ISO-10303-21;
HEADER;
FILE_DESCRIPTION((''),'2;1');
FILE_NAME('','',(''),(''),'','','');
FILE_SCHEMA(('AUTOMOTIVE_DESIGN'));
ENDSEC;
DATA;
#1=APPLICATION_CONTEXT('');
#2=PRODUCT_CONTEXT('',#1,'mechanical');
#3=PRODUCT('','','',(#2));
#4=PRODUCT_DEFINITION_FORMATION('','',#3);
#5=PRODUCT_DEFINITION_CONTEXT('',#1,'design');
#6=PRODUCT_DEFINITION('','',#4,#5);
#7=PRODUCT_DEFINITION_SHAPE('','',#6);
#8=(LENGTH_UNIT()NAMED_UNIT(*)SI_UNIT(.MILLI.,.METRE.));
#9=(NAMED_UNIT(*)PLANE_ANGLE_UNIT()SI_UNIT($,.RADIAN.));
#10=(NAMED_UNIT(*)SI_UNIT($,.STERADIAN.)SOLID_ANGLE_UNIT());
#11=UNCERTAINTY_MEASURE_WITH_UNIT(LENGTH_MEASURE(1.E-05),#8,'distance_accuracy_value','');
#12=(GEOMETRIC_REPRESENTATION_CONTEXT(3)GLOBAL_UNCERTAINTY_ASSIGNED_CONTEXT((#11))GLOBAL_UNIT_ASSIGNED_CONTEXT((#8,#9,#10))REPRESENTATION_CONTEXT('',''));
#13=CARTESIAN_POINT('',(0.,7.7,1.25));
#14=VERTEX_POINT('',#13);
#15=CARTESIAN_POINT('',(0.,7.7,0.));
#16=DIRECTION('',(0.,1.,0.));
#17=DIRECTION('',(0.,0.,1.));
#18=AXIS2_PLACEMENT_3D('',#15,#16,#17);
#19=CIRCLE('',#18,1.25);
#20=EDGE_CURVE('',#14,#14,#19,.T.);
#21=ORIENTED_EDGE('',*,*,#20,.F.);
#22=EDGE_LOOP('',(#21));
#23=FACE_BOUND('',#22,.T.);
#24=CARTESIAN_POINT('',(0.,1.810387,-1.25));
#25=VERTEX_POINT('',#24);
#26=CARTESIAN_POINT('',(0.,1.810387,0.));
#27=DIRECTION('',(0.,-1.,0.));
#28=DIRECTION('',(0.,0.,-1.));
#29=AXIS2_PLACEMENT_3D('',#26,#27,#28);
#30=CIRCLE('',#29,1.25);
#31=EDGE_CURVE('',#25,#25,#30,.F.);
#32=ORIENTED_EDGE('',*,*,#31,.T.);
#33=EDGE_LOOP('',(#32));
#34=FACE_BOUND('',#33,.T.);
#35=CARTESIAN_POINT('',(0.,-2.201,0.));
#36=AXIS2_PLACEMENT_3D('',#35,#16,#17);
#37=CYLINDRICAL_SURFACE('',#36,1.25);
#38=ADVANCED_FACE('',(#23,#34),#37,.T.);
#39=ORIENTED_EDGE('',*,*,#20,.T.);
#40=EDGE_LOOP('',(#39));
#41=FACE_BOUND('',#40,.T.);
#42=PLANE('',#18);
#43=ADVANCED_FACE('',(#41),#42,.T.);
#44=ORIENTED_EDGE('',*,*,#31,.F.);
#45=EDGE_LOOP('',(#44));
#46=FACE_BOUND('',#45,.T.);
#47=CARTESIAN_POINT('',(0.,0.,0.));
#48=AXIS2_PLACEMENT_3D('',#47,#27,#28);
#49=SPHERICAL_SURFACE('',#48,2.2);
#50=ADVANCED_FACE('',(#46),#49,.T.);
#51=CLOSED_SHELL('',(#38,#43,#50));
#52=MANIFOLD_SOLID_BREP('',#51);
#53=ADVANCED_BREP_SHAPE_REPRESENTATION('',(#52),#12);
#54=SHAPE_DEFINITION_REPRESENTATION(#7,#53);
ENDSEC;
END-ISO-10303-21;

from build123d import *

# Parameters (mm, degrees)
EXTRUDE_2_REACH = 11.9
SKETCH_3_R      = 1.25


with BuildPart() as part:
    # 스케치1 → 회전6 (revolve)
    with BuildSketch(Plane(origin=(0, 0, 0), x_dir=(1, 0, 0), z_dir=(0, 1, 0))):
        with BuildLine():
            Line((0, 2.2), (0, -2.2))
            ThreePointArc((0, -2.2), (2.2, 0), (0, 2.2))
        make_face()
    revolve(axis=Axis((0, 0, -3.610555553), (0, 0, 1)))

    # 스케치3 → 보스-돌출2 (add, up to next)
    with BuildSketch(Plane(origin=(0, 7.7, 0), x_dir=(1, 0, 0), z_dir=(0, 1, 0)), mode=Mode.PRIVATE) as extrude_2_sk1:
        Circle(SKETCH_3_R)
    extrude_2_tool1 = extrude(extrude_2_sk1.sketch, amount=-EXTRUDE_2_REACH, mode=Mode.PRIVATE) - part.part
    add(extrude_2_tool1.solids().sort_by_distance((0, 7.7, 0))[0])


solid = part.part
